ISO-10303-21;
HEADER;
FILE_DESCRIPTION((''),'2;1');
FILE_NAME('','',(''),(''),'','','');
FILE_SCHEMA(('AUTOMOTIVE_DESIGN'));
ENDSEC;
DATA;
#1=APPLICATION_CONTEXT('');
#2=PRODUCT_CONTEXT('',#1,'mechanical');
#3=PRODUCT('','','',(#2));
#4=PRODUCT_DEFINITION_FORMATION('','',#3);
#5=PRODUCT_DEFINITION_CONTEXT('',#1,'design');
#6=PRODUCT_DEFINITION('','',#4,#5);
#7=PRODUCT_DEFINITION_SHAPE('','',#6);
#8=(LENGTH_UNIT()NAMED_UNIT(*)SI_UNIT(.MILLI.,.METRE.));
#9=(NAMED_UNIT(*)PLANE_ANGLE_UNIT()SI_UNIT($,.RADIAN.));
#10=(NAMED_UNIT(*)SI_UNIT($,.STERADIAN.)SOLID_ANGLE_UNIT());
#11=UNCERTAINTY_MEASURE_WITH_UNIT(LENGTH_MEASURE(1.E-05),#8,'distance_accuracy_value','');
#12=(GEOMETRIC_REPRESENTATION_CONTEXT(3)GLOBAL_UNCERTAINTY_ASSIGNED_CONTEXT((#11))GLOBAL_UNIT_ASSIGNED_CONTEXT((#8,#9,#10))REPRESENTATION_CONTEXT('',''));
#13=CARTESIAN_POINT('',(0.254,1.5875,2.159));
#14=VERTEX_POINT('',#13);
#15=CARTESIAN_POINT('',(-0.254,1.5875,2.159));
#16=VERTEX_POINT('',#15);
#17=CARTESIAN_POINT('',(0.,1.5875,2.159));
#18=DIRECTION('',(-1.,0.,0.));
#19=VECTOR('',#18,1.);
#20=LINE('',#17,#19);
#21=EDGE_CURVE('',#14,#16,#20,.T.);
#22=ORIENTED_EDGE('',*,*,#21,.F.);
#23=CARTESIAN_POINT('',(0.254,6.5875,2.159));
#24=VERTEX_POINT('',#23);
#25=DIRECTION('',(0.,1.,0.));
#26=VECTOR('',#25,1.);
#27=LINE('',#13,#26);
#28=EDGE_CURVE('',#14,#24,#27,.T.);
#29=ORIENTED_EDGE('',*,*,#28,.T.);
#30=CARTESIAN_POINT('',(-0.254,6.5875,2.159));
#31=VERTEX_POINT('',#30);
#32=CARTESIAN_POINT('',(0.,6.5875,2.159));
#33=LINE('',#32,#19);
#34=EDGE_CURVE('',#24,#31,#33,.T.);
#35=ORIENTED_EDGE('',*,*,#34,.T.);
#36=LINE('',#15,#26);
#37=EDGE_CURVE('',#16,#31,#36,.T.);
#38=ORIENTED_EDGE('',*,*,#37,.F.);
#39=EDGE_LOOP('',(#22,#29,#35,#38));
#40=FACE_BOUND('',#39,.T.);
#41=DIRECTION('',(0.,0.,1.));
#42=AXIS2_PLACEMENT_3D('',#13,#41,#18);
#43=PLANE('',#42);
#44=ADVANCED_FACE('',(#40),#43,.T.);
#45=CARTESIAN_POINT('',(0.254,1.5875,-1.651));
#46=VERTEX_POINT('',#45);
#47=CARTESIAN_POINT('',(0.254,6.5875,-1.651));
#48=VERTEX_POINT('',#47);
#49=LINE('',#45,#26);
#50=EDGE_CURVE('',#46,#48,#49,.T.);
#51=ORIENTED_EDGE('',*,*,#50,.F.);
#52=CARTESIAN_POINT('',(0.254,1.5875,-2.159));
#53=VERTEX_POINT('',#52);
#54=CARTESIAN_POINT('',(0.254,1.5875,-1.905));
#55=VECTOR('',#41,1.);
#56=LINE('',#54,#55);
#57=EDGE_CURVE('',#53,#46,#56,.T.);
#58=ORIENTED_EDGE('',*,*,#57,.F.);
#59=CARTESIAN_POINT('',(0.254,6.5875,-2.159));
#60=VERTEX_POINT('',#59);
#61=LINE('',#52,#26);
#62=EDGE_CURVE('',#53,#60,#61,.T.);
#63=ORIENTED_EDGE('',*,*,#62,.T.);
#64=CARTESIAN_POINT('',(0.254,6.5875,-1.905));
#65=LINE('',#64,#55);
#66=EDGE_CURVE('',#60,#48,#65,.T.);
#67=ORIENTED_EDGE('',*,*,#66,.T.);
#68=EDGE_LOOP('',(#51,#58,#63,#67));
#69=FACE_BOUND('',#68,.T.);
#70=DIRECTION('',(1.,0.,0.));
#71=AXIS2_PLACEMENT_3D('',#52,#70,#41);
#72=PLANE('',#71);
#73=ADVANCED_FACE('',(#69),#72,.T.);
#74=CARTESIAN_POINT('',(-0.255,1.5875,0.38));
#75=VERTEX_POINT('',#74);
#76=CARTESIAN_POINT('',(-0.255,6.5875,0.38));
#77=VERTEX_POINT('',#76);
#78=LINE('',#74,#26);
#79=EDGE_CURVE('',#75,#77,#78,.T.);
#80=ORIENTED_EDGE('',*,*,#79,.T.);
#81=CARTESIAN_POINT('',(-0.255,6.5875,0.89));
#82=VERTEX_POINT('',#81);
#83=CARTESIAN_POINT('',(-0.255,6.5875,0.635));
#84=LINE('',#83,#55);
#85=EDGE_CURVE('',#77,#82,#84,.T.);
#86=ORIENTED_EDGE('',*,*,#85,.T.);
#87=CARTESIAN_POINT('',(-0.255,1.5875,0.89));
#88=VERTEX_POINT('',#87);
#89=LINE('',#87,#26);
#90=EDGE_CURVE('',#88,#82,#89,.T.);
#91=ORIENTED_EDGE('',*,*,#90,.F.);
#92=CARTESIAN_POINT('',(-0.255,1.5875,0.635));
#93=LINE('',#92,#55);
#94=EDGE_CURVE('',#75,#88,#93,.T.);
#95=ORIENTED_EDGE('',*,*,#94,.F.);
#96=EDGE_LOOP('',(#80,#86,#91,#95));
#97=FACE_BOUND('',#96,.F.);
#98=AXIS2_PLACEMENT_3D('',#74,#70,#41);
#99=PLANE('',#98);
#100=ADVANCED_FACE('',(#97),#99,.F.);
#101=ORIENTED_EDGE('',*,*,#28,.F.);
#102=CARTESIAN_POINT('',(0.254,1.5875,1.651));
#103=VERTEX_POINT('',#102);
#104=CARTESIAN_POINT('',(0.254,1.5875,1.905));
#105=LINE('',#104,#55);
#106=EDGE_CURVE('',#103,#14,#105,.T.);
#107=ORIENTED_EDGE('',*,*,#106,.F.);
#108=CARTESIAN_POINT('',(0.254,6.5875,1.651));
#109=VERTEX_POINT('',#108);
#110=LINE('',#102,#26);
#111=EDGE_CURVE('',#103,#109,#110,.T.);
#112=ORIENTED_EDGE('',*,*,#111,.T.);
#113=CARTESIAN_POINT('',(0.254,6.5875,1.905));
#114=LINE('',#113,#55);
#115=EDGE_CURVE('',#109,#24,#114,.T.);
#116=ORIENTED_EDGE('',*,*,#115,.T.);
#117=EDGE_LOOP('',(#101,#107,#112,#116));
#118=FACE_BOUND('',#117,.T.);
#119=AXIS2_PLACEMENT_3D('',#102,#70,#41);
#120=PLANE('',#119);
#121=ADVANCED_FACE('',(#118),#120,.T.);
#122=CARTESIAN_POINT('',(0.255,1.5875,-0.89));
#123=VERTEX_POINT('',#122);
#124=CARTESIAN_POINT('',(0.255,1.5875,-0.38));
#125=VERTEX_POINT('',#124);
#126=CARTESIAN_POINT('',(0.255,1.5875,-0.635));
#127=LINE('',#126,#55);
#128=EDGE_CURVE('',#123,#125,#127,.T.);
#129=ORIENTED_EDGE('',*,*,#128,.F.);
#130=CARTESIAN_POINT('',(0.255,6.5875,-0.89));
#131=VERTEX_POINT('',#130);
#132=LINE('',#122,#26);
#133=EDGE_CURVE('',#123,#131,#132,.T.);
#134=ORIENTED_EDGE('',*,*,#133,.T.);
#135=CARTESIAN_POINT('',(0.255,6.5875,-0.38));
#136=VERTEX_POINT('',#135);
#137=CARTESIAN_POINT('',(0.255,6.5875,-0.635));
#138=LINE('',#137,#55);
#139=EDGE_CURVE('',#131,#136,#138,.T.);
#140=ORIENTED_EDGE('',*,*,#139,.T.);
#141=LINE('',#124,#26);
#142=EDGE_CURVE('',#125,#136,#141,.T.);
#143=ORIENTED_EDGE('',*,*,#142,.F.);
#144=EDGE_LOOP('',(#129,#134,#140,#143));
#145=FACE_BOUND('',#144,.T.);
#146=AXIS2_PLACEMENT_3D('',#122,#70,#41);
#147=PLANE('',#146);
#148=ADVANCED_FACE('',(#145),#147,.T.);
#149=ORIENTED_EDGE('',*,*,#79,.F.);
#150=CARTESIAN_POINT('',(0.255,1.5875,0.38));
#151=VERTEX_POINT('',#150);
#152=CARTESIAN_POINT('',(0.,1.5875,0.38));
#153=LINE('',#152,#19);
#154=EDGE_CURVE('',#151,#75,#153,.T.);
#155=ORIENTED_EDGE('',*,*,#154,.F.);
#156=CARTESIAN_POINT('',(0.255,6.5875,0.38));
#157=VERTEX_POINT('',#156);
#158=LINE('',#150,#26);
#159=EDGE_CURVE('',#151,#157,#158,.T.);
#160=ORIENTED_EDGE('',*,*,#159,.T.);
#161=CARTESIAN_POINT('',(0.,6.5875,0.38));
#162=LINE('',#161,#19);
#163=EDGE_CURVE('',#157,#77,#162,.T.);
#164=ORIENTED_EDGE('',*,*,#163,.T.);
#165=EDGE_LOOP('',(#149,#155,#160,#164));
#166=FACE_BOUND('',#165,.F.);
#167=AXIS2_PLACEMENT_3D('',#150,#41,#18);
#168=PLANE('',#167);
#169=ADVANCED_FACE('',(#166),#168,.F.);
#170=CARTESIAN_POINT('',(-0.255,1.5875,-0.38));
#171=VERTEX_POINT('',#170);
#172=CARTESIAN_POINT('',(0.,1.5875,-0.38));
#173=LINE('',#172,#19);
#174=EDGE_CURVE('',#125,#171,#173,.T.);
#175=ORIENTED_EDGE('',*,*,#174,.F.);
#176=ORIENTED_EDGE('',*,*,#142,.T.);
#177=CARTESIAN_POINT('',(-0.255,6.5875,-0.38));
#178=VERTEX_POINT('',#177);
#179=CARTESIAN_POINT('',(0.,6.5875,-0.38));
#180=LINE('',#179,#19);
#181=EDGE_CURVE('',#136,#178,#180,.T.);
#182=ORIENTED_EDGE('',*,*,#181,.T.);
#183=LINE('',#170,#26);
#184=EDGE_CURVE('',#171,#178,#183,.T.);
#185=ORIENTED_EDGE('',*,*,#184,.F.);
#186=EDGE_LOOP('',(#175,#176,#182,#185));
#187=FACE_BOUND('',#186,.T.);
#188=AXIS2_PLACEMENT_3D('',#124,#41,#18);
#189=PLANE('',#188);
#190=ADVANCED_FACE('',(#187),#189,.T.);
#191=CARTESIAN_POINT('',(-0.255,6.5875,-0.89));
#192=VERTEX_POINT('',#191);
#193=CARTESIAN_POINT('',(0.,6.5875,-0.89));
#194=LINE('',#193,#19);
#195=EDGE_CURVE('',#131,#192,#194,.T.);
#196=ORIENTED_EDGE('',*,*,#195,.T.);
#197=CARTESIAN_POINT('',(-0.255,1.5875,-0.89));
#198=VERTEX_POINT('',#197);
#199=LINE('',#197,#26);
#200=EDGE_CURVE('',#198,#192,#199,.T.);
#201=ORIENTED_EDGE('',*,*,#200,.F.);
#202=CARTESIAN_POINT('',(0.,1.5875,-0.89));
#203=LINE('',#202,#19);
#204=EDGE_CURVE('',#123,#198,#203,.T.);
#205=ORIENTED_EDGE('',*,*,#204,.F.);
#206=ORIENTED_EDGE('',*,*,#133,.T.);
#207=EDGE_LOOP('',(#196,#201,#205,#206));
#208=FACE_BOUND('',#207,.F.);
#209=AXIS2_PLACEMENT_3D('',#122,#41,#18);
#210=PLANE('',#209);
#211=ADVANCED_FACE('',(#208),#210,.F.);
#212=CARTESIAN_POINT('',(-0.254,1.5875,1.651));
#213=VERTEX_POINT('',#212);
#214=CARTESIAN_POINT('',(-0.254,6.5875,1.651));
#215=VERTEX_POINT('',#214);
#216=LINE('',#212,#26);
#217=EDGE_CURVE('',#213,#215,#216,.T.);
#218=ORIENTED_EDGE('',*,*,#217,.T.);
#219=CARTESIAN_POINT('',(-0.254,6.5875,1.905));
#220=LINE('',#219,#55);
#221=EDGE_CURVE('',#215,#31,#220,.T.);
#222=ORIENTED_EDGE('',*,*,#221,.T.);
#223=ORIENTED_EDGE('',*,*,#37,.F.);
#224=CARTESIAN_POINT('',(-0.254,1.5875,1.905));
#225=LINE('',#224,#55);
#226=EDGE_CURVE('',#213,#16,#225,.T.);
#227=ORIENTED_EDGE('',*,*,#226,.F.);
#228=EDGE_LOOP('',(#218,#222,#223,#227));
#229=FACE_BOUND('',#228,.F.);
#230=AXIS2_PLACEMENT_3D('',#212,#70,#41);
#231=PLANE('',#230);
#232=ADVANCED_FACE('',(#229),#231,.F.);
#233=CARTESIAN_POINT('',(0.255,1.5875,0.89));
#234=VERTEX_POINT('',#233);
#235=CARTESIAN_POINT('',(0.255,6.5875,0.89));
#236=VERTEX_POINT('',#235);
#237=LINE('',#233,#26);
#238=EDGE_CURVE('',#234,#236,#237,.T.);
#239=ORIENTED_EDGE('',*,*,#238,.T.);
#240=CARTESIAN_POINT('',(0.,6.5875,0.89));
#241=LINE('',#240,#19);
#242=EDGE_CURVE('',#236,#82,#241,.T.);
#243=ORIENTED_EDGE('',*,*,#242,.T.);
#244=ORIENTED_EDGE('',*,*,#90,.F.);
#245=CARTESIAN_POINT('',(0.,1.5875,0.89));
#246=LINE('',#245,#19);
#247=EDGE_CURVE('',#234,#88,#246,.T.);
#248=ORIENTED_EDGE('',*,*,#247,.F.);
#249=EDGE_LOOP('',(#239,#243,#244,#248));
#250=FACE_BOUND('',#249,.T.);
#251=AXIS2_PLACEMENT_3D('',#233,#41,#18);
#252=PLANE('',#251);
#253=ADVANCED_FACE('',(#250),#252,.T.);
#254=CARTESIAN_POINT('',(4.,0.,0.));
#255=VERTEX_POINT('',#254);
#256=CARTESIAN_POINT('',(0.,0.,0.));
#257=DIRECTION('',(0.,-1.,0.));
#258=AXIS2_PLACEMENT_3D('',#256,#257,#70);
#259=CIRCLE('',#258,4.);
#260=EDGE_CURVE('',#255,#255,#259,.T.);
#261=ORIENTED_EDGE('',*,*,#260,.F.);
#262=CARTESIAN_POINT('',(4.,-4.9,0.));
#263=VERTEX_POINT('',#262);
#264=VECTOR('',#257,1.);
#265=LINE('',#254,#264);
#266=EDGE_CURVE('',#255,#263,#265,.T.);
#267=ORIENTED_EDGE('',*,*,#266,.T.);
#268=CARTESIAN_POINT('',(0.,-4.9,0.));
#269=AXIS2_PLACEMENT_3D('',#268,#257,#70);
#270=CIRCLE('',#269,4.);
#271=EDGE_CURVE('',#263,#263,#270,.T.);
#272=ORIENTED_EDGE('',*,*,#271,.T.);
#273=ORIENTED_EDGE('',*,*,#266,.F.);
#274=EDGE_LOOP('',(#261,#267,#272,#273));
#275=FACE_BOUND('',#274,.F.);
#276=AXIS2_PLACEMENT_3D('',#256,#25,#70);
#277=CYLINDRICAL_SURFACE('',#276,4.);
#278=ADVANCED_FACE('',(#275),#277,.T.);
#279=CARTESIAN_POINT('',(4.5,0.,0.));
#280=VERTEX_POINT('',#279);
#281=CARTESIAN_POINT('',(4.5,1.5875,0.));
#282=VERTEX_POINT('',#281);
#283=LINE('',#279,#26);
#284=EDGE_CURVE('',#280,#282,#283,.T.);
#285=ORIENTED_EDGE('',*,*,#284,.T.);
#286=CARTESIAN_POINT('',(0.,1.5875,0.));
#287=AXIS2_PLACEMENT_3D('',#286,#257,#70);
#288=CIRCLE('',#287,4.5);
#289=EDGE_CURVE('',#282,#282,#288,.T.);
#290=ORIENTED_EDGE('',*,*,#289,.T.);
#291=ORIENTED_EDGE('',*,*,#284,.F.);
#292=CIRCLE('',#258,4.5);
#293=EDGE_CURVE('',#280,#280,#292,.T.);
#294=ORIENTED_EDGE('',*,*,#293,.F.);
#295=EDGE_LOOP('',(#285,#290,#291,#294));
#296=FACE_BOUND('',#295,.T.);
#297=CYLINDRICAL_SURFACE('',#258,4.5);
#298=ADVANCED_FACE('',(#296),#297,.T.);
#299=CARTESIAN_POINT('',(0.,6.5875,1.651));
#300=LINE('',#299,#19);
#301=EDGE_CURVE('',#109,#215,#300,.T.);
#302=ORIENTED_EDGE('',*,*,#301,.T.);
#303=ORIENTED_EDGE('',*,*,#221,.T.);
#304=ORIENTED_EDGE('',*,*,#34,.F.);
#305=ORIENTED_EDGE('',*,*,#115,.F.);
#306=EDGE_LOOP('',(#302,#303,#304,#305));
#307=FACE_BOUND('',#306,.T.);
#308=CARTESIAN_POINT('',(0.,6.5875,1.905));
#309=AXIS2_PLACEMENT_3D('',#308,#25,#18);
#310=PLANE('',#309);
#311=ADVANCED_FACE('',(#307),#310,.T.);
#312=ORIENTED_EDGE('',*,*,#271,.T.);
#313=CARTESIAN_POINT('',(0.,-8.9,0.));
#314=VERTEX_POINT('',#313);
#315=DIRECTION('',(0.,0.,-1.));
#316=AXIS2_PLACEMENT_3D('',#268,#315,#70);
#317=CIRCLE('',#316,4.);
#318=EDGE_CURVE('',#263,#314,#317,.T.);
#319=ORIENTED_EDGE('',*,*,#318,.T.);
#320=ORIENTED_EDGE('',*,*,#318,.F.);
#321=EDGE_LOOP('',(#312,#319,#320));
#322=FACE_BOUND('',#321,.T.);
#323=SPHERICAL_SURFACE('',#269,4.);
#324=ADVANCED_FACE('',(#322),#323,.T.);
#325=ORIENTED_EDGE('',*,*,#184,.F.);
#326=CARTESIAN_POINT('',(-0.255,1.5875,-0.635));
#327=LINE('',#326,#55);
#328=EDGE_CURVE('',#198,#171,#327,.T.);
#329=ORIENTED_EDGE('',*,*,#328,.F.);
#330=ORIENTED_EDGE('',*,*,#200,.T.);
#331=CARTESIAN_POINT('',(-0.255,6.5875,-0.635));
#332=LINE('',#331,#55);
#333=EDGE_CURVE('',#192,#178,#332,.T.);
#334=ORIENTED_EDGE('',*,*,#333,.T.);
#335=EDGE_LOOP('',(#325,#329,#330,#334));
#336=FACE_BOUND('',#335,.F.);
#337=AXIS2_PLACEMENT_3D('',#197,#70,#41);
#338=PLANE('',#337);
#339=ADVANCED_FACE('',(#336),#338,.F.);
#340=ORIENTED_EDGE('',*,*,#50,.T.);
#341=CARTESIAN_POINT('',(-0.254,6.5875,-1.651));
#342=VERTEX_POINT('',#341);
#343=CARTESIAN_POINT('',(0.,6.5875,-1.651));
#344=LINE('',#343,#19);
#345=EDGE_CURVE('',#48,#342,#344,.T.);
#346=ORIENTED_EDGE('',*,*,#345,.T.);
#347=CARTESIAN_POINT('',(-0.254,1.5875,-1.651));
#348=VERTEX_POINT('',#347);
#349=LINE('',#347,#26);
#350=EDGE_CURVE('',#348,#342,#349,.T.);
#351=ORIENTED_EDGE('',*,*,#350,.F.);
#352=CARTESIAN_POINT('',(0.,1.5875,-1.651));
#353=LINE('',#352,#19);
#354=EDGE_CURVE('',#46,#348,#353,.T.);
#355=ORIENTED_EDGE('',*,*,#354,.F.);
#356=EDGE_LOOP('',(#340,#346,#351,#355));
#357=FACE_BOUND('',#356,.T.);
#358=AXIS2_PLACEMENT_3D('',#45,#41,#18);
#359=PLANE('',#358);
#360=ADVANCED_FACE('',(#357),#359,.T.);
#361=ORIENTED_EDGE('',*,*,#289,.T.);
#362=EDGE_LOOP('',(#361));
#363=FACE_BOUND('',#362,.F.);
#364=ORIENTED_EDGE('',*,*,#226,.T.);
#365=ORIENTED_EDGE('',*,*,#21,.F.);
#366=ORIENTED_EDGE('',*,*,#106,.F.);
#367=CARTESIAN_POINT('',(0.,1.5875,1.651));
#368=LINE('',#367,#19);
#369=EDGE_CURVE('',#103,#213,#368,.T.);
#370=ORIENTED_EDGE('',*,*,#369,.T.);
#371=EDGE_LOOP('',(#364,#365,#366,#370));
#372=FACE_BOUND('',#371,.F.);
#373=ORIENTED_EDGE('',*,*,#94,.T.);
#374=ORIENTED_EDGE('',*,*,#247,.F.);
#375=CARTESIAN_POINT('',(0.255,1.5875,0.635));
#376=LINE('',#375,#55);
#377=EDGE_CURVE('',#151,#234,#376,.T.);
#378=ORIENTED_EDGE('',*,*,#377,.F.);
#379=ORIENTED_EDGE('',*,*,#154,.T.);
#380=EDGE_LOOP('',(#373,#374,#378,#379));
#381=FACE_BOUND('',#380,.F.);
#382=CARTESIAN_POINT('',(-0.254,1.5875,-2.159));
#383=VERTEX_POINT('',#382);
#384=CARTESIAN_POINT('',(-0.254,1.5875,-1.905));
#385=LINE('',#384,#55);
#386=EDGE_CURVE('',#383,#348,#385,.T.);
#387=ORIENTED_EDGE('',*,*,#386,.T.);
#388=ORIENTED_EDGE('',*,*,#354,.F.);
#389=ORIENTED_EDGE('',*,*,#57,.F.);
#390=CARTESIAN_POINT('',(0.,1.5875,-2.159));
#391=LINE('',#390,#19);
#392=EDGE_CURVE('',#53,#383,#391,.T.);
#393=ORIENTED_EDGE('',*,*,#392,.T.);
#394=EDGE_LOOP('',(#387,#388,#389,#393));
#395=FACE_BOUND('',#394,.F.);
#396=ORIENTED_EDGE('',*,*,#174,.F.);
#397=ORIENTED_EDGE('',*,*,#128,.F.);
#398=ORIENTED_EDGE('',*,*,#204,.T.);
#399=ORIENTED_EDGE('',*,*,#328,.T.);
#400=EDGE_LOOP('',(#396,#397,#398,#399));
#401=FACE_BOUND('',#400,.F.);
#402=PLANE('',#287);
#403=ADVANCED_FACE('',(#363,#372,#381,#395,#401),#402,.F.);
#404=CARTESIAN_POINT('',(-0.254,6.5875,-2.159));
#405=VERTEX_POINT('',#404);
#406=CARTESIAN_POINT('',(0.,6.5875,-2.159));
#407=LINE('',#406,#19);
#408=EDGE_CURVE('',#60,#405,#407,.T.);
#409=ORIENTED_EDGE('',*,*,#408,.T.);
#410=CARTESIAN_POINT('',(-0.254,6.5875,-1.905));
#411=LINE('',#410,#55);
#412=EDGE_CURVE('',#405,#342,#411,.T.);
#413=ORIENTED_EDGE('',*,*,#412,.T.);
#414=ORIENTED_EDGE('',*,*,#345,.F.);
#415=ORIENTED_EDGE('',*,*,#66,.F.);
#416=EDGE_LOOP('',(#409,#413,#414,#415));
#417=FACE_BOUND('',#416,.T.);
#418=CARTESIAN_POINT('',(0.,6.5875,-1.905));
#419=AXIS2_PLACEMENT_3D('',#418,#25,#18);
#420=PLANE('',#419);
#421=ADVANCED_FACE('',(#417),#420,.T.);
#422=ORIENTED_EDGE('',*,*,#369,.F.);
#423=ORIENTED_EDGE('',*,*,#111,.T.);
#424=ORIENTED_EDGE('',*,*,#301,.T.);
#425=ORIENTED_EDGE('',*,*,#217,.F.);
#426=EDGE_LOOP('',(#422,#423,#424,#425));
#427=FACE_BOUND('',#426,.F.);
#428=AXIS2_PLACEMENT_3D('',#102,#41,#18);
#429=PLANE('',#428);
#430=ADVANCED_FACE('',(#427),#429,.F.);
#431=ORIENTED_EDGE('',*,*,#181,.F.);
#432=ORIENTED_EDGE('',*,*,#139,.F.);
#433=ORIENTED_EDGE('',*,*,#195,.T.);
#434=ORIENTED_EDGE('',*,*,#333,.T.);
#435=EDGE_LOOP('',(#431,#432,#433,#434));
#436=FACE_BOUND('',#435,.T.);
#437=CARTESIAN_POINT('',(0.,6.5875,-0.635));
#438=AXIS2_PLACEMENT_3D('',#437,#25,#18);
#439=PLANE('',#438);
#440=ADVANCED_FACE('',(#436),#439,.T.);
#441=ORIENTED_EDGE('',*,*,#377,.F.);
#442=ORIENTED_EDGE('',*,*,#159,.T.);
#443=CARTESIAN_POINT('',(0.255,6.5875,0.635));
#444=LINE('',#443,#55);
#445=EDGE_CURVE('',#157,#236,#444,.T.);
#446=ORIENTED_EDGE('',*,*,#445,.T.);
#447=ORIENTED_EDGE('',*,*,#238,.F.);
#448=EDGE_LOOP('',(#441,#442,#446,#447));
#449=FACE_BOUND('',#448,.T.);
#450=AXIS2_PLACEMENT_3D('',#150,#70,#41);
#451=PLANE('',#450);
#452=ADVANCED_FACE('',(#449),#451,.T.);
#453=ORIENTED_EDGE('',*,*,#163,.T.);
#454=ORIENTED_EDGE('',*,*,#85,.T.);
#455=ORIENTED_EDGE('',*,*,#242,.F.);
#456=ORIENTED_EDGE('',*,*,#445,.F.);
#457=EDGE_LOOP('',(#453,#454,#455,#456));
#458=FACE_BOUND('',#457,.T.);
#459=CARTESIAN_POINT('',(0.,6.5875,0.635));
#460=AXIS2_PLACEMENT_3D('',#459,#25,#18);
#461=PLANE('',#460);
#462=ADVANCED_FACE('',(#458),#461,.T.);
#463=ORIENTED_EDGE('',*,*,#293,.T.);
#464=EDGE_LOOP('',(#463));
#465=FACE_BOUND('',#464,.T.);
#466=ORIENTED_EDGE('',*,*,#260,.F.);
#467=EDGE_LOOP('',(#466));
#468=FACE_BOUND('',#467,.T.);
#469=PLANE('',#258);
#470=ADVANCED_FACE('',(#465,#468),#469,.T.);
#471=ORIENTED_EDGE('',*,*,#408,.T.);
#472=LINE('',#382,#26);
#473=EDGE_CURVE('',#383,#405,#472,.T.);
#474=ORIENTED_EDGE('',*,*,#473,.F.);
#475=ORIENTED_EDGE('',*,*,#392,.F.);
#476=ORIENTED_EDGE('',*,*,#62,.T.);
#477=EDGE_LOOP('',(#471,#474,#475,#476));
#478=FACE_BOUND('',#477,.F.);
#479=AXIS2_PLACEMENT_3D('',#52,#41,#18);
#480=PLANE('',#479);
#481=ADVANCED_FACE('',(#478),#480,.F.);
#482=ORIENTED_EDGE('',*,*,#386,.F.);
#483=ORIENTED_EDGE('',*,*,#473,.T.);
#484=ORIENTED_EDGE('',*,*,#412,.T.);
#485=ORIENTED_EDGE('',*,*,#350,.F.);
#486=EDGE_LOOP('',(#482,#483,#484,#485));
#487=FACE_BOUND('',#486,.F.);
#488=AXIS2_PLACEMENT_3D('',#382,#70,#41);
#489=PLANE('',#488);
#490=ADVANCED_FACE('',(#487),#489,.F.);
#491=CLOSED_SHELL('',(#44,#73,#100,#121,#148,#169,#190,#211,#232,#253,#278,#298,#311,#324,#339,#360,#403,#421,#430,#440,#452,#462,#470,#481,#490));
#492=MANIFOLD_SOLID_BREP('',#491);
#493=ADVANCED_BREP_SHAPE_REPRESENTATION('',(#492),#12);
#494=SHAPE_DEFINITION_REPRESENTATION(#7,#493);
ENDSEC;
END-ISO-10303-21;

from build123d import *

# Parameters (mm, degrees)
F0_R     = 4.5
F0_R_2   = 4
F1_DEPTH = 1.5875
F2_R     = 4
F3_DEPTH = 8.9
F4_R     = 4
F5_W     = 0.508
F5_H     = 0.508
F5_W_2   = 0.51
F5_H_2   = 0.51
F6_DEPTH = 5


with BuildPart() as f1:
    # F0 (on Front) → F1 (new body)
    with BuildSketch(Plane.XZ):
        Circle(F0_R)
        Circle(F0_R_2, mode=Mode.SUBTRACT)
        Circle(F0_R_2)
    extrude(amount=-F1_DEPTH)

    # F2 (on face) → F3 (join)
    with BuildSketch(Plane.XZ):
        Circle(F2_R)
    extrude(amount=F3_DEPTH)

    # F4
    f4_edges = [f1.edges().sort_by_distance(p)[0] for p in [
        (-4, -8.9, 0),
    ]]
    fillet(f4_edges, radius=F4_R)

    # F5 (on face) → F6 (join)
    with BuildSketch(Plane(origin=(0, 1.5875, 0), x_dir=(-1, 0, 0), z_dir=(0, 1, 0))):
        with Locations((0, 1.905)):
            Rectangle(F5_W, F5_H)
        with Locations((0, 0.635)):
            Rectangle(F5_W_2, F5_H_2)
        with Locations((0, -0.635)):
            Rectangle(F5_W_2, F5_H_2)
        with Locations((0, -1.905)):
            Rectangle(F5_W, F5_H)
    extrude(amount=F6_DEPTH)


solid = f1.part
